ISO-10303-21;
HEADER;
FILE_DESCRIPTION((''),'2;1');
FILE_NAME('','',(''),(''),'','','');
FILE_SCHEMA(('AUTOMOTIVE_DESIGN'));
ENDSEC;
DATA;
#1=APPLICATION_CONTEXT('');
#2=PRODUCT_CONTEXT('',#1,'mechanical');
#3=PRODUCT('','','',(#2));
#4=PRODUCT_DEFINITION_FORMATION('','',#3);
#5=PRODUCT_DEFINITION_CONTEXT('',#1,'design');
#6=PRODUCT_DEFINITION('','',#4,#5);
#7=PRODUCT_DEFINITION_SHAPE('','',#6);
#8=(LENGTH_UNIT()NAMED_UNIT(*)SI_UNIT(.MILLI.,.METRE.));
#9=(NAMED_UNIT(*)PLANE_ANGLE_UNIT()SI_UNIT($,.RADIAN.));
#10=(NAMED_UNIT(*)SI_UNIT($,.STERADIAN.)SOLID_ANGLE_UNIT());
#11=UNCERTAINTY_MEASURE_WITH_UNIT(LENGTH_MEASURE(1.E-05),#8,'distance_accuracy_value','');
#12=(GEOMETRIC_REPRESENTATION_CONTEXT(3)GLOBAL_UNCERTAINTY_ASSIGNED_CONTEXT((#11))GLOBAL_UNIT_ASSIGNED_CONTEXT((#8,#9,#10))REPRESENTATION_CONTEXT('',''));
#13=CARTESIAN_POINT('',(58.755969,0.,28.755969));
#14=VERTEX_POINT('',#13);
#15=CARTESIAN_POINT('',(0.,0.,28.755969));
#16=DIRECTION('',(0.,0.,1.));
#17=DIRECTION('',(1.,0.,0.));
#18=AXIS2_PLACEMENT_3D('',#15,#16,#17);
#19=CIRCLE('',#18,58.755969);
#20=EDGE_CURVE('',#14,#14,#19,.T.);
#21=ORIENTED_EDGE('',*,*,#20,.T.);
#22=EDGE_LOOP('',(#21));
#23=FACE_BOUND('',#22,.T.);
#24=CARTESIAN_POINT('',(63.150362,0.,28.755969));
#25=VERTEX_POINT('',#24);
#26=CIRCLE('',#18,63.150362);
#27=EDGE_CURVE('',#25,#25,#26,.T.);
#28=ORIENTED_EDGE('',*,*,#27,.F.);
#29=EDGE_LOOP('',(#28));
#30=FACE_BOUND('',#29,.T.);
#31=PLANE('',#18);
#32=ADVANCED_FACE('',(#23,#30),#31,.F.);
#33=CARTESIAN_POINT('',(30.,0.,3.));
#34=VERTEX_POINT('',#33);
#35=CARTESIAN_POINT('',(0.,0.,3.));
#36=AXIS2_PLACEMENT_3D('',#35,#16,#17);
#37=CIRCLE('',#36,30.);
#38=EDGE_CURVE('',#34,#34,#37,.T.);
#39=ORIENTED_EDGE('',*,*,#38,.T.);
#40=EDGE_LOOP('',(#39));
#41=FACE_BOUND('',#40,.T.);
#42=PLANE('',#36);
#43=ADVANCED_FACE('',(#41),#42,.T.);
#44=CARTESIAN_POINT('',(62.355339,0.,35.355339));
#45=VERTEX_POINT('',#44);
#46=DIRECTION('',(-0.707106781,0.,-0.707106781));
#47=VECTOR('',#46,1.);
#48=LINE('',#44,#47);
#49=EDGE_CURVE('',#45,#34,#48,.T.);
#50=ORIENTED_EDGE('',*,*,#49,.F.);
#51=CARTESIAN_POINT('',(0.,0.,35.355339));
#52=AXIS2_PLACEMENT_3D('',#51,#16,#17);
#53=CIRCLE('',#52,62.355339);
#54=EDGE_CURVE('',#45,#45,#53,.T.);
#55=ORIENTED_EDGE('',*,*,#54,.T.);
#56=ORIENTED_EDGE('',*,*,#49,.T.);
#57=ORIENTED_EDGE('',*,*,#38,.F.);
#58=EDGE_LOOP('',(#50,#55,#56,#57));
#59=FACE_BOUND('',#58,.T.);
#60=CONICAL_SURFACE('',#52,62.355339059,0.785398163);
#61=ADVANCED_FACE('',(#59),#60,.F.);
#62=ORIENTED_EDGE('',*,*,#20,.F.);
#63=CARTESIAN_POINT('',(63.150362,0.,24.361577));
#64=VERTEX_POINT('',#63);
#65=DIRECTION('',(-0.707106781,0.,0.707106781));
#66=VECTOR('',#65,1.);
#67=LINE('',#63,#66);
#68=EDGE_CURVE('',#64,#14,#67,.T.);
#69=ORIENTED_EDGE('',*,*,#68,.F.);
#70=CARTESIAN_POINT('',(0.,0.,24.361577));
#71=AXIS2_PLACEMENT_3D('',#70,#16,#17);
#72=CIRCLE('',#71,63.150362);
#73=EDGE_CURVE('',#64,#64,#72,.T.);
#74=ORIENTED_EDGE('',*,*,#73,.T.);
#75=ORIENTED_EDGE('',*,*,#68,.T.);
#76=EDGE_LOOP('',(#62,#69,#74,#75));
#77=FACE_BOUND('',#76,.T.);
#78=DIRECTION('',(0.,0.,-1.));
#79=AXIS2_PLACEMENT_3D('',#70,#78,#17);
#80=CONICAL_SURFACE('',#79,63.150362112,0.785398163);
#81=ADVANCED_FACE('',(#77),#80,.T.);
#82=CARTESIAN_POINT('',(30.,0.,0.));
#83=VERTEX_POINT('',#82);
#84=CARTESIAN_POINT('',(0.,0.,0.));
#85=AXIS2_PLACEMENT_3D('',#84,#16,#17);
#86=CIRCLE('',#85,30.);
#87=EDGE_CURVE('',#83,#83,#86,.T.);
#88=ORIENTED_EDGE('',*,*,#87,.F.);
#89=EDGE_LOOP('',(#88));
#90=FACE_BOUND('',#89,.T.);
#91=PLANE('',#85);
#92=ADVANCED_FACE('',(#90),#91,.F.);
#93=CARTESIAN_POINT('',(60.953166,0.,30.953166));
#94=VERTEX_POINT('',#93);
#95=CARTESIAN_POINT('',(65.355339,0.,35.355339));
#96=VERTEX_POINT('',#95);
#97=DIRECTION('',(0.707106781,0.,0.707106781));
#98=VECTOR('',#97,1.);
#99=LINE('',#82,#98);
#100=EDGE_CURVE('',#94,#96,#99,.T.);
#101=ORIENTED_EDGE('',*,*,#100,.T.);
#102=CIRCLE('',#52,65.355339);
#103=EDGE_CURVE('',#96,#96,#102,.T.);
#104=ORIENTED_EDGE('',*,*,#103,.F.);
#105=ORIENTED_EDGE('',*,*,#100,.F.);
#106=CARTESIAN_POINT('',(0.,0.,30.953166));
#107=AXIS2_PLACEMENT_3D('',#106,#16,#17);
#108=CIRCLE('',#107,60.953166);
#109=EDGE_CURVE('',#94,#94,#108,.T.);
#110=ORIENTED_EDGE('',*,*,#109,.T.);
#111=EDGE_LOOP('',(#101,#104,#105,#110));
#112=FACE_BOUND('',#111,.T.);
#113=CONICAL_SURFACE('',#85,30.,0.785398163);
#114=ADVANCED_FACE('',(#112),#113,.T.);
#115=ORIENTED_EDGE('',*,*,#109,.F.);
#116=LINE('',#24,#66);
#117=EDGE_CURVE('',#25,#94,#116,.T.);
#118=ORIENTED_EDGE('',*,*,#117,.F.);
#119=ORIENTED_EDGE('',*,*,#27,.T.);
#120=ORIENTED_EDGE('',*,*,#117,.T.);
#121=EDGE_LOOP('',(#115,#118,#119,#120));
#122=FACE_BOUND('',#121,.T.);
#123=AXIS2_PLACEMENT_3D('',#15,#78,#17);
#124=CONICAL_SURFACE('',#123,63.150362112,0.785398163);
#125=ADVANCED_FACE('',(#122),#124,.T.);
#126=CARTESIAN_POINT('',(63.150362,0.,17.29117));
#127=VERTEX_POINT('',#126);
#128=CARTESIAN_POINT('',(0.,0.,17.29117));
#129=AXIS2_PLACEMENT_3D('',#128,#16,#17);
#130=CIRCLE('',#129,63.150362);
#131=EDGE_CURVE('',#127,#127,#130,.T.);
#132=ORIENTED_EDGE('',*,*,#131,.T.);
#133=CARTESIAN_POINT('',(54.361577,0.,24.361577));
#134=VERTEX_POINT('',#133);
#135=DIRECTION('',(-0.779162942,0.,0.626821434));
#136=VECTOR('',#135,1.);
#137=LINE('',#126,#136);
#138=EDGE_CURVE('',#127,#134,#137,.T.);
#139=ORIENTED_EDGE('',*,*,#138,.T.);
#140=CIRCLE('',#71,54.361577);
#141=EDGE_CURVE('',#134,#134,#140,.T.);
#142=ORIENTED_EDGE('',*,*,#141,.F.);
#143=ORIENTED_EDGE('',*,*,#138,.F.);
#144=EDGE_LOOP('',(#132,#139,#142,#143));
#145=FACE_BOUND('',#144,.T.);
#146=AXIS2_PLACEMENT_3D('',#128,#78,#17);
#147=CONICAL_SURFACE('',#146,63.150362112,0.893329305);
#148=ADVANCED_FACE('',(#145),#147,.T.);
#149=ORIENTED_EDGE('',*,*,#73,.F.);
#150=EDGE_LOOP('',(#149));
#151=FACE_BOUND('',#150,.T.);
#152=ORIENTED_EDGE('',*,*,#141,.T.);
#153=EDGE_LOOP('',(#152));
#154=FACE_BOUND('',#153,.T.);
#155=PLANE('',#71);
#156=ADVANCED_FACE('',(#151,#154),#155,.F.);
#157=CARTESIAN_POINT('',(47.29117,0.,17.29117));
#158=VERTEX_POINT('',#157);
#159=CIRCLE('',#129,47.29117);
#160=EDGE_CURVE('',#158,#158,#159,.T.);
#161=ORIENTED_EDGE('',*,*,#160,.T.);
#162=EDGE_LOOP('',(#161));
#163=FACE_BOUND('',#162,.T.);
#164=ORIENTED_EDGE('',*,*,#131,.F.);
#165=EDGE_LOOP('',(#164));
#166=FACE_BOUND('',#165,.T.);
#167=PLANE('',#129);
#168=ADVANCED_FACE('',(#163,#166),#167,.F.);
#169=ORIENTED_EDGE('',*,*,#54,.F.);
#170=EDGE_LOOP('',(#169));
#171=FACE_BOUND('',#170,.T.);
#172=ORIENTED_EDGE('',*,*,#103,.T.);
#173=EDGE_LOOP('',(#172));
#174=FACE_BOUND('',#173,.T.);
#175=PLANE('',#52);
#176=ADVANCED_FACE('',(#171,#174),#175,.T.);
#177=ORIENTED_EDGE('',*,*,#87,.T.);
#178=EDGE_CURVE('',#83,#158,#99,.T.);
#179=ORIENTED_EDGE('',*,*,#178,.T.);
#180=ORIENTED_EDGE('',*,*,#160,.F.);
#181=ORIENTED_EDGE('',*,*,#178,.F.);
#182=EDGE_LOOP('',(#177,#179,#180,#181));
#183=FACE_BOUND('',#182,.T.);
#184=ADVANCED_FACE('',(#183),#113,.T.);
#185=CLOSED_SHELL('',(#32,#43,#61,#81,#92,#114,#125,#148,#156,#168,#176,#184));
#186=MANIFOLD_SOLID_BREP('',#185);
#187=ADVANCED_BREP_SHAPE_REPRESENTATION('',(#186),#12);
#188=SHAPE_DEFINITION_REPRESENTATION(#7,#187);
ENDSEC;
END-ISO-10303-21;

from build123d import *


with BuildPart() as f1:
    # F0 (on Front) → F1 (revolve)
    with BuildSketch(Plane.XZ):
        Polygon((0, 3), (0, 0), (30, 0), (47.2911696136, 17.2911696136), (54.3615766242, 24.3615766242), (58.7559693679, 28.7559693679), (60.9531657398, 30.9531657398), (65.3553390593, 35.3553390593), (62.3553390593, 35.3553390593), (30, 3), align=None)
        Polygon((54.3615766242, 24.3615766242), (47.2911696136, 17.2911696136), (63.1503621116, 17.2911696136), align=None)
        Polygon((58.7559693679, 28.7559693679), (54.3615766242, 24.3615766242), (63.1503621116, 24.3615766242), align=None)
        Polygon((60.9531657398, 30.9531657398), (58.7559693679, 28.7559693679), (63.1503621116, 28.7559693679), align=None)
    revolve(axis=Axis((0, 0, 17.6776695297), (0, 0, 1)))


solid = f1.part
